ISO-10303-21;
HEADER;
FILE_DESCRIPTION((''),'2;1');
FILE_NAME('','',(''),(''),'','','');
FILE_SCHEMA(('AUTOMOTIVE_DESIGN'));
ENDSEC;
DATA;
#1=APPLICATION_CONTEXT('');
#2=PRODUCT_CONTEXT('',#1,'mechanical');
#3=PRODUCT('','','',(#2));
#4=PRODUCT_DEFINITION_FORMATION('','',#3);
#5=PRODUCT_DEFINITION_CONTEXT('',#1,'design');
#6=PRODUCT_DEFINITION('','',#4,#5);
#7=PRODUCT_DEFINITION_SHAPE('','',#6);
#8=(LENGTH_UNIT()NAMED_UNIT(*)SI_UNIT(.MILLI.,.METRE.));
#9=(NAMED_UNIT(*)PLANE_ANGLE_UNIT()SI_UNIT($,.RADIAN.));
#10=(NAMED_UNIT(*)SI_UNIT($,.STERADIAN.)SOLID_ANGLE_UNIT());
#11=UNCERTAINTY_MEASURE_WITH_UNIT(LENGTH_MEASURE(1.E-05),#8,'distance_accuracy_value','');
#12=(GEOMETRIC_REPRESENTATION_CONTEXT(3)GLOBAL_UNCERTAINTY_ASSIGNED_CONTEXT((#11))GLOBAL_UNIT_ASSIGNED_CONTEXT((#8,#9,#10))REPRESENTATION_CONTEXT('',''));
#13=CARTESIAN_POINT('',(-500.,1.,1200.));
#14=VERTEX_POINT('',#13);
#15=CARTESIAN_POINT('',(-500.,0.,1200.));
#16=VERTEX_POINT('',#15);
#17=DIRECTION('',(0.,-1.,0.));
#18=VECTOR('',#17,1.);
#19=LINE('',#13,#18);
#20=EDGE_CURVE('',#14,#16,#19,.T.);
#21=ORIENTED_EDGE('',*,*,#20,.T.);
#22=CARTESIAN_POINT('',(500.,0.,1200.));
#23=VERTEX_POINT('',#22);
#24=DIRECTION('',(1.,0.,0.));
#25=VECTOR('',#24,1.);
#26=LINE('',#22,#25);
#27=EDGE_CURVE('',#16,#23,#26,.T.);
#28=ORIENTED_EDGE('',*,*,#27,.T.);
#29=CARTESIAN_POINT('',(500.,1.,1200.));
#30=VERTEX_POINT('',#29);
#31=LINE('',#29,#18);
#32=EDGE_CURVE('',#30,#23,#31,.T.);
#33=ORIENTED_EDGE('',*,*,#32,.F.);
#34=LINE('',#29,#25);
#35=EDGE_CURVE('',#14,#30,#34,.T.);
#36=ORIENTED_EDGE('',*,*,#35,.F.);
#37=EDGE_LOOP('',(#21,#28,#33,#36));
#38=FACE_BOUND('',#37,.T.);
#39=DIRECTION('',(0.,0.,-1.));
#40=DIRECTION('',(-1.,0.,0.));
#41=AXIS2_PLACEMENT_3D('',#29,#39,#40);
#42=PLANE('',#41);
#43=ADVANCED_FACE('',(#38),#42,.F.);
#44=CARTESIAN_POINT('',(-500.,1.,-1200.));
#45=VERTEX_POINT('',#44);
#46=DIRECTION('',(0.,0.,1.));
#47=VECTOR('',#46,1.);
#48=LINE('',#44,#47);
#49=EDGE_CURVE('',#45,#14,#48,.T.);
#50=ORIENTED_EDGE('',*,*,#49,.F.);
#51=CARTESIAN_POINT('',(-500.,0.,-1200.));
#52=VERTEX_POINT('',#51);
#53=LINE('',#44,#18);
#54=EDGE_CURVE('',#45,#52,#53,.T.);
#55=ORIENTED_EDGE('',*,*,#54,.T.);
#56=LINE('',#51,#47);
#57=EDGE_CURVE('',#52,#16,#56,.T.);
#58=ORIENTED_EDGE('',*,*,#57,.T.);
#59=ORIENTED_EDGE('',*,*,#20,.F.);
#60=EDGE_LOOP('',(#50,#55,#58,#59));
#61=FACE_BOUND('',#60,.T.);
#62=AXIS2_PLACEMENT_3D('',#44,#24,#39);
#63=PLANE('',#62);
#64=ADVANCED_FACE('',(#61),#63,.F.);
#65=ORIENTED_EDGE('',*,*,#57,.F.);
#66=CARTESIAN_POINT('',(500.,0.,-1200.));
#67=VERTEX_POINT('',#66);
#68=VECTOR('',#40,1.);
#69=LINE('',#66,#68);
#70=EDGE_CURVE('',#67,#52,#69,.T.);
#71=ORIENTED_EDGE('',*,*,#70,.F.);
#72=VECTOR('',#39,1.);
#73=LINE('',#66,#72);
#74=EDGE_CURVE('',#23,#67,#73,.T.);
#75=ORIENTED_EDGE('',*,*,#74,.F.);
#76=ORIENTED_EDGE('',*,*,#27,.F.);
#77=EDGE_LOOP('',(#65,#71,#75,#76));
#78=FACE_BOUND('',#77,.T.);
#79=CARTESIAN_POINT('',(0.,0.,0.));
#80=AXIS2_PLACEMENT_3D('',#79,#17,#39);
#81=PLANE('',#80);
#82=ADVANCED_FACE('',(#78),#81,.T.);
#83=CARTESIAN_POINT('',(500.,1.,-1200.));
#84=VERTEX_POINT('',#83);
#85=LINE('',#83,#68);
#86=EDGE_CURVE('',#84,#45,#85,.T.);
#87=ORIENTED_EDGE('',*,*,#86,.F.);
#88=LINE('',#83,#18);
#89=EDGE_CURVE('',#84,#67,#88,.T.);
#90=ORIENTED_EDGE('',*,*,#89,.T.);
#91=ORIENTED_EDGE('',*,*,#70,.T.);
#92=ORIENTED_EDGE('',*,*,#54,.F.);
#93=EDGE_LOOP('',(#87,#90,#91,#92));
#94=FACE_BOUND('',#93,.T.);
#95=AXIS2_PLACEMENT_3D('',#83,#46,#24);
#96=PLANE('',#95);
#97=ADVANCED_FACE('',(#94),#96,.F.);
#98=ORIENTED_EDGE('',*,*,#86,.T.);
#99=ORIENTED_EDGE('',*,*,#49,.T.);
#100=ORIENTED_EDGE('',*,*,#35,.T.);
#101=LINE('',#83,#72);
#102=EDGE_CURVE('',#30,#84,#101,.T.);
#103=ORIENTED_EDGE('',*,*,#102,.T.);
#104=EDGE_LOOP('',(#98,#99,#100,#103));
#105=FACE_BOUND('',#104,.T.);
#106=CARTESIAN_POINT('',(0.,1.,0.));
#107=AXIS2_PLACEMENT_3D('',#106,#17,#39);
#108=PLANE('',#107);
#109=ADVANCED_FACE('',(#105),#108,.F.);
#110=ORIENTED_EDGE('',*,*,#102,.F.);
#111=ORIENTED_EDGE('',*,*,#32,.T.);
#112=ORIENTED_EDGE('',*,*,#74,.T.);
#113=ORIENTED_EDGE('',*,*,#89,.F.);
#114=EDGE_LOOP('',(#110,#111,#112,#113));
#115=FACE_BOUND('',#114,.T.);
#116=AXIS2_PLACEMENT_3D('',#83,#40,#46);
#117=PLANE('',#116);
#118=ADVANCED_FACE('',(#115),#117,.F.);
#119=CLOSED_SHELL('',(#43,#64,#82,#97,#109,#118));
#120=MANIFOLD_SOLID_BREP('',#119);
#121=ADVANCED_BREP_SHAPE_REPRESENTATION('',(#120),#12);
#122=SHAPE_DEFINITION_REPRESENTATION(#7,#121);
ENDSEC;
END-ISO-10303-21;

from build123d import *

# Parameters (mm, degrees)
SKETCH_1_W      = 1000
SKETCH_1_H      = 2400
EXTRUDE_1_DEPTH = 1


with BuildPart() as part:
    # Эскиз1 → Бобышка-Вытянуть1 (new body)
    with BuildSketch(Plane(origin=(0, 0, 0), x_dir=(1, 0, 0), z_dir=(0, 1, 0))):
        Rectangle(SKETCH_1_W, SKETCH_1_H)
    extrude(amount=EXTRUDE_1_DEPTH)


solid = part.part
